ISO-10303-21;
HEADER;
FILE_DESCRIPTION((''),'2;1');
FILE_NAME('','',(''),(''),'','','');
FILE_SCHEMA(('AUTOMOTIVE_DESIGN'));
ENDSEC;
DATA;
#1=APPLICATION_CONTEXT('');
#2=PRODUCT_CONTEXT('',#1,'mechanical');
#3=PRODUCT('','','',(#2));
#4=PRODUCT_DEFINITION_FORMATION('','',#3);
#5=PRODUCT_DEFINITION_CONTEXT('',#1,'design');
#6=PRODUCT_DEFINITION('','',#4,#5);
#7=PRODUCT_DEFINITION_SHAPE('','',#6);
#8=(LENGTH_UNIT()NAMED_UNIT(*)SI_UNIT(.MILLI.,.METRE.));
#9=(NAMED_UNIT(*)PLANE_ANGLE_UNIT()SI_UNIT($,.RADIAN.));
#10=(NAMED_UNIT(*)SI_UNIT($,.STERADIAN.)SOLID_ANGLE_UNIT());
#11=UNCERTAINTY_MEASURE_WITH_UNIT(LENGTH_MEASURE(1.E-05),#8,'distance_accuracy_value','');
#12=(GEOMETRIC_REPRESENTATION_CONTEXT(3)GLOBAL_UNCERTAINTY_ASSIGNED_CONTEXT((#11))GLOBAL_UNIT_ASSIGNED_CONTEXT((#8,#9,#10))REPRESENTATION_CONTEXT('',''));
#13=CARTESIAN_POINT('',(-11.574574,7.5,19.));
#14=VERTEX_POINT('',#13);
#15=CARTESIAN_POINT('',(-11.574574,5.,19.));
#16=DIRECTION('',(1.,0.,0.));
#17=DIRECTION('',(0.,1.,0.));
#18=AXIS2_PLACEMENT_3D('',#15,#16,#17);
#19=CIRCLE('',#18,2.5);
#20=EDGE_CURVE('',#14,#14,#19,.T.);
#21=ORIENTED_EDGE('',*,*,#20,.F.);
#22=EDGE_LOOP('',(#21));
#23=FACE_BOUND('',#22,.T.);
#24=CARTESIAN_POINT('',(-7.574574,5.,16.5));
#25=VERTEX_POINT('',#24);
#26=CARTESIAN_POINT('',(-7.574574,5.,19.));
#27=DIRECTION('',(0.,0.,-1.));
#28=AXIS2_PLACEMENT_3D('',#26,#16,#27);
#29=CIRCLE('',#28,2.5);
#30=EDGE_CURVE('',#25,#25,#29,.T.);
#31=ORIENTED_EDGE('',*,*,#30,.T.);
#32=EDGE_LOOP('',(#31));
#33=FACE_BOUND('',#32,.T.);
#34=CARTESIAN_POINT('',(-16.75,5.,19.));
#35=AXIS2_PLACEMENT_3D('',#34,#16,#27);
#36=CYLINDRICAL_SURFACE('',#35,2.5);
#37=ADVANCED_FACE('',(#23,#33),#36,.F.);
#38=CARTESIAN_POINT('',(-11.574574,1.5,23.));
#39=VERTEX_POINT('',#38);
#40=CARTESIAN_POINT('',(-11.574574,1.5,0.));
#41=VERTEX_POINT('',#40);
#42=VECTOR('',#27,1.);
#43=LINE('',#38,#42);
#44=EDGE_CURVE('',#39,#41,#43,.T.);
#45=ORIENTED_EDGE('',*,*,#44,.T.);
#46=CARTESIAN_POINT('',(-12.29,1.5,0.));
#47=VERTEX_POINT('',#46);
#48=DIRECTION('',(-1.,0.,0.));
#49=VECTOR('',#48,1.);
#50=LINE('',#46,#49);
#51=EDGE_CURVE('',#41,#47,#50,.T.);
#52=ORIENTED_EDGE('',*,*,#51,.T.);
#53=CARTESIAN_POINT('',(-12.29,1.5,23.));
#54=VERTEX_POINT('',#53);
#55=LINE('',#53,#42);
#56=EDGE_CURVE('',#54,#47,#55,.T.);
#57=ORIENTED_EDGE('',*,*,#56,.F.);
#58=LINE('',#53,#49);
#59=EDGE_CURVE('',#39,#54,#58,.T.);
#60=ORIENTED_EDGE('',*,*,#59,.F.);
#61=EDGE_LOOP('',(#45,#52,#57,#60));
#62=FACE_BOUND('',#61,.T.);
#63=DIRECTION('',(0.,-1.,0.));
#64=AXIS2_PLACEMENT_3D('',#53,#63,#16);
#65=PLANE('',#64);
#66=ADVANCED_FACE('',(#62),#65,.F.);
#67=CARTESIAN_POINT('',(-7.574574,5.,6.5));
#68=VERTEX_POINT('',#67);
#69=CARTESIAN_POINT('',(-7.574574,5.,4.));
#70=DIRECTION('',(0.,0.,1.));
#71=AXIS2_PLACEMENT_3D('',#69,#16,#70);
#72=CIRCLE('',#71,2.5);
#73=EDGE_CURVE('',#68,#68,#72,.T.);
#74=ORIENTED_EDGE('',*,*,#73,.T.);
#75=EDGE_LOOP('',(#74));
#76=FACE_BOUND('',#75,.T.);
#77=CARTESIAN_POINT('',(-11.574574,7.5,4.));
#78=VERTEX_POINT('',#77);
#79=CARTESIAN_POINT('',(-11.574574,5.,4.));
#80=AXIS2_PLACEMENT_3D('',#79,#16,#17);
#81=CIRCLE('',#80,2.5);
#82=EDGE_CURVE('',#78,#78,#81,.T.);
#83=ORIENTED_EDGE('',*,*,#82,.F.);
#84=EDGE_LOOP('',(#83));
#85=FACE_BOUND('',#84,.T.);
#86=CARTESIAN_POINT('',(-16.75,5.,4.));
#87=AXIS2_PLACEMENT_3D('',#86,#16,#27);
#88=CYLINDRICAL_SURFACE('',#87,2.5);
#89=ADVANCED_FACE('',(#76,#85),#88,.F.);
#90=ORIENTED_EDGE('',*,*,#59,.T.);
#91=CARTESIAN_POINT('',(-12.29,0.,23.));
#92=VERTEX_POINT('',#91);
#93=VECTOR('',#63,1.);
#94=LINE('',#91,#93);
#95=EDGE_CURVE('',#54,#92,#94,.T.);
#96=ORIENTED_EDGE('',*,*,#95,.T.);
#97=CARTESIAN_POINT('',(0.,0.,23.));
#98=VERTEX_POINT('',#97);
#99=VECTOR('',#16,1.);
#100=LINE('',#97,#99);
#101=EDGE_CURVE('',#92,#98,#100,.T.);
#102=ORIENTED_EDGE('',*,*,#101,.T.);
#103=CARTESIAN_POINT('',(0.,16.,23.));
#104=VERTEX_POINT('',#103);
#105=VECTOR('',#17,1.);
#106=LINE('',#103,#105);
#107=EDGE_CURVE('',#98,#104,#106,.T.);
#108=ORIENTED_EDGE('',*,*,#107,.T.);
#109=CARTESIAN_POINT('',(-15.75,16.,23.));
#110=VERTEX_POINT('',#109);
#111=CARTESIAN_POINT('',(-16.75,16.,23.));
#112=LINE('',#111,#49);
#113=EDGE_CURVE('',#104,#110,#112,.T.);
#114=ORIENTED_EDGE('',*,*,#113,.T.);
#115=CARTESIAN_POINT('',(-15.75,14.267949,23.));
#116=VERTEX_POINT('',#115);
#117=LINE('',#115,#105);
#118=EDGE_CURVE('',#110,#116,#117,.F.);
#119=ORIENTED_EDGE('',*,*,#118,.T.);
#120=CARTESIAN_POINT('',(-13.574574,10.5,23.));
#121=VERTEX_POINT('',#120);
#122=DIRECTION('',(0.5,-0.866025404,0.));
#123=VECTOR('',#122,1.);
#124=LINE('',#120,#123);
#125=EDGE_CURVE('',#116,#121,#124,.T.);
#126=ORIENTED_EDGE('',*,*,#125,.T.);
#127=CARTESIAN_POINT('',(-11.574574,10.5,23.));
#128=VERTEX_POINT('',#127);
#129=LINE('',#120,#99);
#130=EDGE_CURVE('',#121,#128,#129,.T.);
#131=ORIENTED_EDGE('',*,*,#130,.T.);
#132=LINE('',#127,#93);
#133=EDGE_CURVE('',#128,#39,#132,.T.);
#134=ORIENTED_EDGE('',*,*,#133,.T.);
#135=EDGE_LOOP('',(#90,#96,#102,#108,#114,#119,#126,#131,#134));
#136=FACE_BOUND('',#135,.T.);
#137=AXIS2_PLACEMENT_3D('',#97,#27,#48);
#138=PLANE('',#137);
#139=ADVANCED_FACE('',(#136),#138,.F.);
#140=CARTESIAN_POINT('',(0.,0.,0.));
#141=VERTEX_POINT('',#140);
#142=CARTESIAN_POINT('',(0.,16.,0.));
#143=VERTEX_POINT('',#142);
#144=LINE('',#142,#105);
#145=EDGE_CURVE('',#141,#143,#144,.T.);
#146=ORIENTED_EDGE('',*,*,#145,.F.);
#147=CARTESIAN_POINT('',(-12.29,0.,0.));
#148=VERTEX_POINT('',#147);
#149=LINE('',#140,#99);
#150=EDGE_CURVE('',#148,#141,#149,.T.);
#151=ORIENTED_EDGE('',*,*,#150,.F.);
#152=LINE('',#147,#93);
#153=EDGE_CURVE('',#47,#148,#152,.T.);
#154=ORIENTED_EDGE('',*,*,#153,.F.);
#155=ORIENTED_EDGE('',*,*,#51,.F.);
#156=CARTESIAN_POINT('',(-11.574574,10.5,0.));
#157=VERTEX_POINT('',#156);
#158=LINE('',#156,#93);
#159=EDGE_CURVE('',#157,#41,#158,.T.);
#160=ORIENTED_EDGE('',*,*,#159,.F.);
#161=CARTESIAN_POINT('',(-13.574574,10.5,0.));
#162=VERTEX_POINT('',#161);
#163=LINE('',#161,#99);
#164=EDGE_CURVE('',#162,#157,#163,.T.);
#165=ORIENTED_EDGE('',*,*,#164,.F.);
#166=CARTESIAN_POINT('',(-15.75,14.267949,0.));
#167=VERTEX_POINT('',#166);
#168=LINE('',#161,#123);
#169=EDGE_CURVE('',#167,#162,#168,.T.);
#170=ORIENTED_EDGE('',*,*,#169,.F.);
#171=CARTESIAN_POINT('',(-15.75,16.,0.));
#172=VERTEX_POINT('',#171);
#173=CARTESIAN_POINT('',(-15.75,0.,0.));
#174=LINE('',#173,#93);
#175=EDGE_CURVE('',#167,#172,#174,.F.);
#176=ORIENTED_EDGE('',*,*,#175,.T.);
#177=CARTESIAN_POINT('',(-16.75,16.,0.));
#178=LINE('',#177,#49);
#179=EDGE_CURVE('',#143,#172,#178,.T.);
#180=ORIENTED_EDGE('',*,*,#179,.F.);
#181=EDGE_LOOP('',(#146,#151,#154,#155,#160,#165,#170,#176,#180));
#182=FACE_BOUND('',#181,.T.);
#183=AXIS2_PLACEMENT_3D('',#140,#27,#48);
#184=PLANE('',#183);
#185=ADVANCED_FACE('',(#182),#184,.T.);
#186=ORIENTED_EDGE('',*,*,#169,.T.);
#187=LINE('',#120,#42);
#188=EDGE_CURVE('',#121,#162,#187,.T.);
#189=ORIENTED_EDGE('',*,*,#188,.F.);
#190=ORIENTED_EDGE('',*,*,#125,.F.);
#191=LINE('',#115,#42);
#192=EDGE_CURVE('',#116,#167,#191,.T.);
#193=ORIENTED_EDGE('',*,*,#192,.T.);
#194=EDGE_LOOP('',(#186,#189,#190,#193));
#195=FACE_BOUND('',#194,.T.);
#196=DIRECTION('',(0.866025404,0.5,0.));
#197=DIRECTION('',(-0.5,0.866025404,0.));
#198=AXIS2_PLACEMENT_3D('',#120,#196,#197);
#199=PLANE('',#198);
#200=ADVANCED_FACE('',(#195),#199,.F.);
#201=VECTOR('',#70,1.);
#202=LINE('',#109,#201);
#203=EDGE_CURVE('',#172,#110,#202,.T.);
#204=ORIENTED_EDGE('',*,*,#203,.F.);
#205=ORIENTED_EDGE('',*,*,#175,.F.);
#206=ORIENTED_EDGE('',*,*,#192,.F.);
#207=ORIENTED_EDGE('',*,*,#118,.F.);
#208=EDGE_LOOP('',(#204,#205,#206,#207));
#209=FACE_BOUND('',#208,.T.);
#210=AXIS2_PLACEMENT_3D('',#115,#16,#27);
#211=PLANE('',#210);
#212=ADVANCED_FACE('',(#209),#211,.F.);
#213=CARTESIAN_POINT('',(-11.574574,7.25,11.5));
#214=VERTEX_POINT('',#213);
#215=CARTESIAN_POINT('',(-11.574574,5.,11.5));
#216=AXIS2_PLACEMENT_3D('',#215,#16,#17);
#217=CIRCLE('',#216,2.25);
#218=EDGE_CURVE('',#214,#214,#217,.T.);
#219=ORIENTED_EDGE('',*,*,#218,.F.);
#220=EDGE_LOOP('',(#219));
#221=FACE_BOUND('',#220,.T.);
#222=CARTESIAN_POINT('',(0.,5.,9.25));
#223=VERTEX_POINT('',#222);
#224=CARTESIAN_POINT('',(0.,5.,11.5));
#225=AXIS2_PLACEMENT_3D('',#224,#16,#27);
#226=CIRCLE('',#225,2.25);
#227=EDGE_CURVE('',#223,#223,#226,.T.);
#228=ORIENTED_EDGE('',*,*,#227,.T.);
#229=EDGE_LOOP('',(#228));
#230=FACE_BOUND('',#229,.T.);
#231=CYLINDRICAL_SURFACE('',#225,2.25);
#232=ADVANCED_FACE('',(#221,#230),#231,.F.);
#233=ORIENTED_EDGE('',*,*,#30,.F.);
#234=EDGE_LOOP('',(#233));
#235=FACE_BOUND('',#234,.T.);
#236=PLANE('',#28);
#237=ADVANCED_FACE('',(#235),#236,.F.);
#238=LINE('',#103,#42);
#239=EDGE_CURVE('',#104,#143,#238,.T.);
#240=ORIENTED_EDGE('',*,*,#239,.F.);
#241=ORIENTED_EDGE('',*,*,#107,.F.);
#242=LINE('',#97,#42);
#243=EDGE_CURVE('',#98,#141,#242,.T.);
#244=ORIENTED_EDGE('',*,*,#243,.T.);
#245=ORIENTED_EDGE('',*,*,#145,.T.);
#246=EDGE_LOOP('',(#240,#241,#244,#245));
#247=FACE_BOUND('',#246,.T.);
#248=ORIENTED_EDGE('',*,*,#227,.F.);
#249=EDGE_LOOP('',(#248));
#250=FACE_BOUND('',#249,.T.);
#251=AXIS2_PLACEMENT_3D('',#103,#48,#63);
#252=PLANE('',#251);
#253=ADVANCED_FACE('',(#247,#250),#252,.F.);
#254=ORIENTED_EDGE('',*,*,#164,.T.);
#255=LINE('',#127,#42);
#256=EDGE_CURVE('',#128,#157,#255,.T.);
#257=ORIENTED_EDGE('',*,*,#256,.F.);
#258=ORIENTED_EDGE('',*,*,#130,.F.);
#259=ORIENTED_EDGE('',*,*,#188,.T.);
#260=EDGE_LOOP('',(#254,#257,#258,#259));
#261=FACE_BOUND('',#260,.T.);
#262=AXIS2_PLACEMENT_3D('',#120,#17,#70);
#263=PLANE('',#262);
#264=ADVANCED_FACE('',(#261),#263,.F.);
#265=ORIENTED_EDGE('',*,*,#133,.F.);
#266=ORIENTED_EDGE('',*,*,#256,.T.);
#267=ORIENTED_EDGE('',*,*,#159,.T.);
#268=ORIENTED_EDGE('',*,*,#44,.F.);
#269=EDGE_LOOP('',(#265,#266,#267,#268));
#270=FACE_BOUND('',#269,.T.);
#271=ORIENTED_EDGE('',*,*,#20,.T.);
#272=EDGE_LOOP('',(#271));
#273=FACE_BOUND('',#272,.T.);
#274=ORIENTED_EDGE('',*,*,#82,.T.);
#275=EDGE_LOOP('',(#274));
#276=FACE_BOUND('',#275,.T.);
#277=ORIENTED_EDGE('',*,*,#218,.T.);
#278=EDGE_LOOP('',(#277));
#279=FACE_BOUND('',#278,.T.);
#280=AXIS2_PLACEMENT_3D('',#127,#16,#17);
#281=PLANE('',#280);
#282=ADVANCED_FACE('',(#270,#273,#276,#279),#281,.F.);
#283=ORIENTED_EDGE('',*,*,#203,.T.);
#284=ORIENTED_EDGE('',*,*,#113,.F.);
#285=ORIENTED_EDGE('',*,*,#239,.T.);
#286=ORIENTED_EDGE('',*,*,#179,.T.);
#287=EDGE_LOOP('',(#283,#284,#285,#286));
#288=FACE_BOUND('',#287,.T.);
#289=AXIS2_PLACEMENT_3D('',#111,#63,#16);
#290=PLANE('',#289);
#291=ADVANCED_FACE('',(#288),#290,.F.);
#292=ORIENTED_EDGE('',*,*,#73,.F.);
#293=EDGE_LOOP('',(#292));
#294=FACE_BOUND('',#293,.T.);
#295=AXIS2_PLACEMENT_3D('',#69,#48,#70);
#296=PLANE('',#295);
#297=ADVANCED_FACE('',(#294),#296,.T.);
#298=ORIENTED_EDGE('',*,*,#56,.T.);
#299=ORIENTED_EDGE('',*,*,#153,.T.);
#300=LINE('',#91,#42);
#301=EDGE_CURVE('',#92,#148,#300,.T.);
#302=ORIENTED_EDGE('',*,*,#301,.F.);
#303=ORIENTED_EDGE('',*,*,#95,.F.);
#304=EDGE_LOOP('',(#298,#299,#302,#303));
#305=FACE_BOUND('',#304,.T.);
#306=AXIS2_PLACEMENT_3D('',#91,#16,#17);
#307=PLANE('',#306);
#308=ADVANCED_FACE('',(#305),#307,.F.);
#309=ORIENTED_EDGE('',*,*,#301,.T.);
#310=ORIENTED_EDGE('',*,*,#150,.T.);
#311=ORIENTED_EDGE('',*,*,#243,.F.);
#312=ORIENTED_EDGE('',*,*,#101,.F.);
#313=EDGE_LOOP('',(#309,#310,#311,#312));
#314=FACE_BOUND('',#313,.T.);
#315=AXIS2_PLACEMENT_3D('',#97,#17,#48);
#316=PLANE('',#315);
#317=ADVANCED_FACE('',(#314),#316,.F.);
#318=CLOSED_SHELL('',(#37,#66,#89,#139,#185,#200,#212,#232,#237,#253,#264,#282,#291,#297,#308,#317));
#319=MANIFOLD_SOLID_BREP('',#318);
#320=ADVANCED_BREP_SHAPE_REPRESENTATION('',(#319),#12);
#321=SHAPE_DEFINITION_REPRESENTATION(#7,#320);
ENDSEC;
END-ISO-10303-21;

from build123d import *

# Parameters (mm, degrees)
EXTRUDE_1_DEPTH          = 23
SKETCH_2_R               = 2.5
CUT_EXTRUDE_1_DEPTH      = 4
CUT_EXTRUDE_1_DEPTH_BACK = 6.175426481
HOLE_WIZARD_M41_D        = 4.5
CHAMFER_1_SIZE           = 1
CHAMFER_1_SIZE2          = 2


with BuildPart() as part:
    # Эскиз1 → Бобышка-Вытянуть1 (new body)
    with BuildSketch(Plane.XY):
        Polygon((0, 0), (-12.29, 0), (-12.29, 1.5), (-11.574573519, 1.5), (-11.574573519, 10.5), (-13.574573519, 10.5), (-16.75, 16), (0, 16), align=None)
    extrude(amount=EXTRUDE_1_DEPTH)

    # Эскиз2 → Вырез-Вытянуть1 (cut, two sides)
    with BuildSketch(Plane(origin=(-11.574573519, 0, 0), x_dir=(0, 0, -1), z_dir=(1, 0, 0))) as cut_extrude_1_sk:
        with Locations((-19, 5)):
            Circle(SKETCH_2_R)
        with Locations((-4, 5)):
            Circle(SKETCH_2_R)
    extrude(amount=CUT_EXTRUDE_1_DEPTH, mode=Mode.SUBTRACT)
    extrude(cut_extrude_1_sk.sketch, amount=-CUT_EXTRUDE_1_DEPTH_BACK, mode=Mode.SUBTRACT)

    # Отверстие с зазором M41 (through all)
    with Locations(Plane(origin=(0, 1.542761086, 4.525415006), x_dir=(0, 0, 1), z_dir=(1, 0, 0))):
        with Locations((6.974584994, -3.457238914)):
            Hole(HOLE_WIZARD_M41_D / 2)

    # Фаска1
    chamfer_1_edges = [part.edges().sort_by_distance(p)[0] for p in [
        (-16.75, 16, 11.5),
    ]]
    chamfer_1_side = [part.faces().sort_by_distance(p)[0] for p in [
        (-8.375, 16, 11.5),
    ]]
    chamfer(chamfer_1_edges, length=CHAMFER_1_SIZE, length2=CHAMFER_1_SIZE2, reference=chamfer_1_side[0])


solid = part.part
